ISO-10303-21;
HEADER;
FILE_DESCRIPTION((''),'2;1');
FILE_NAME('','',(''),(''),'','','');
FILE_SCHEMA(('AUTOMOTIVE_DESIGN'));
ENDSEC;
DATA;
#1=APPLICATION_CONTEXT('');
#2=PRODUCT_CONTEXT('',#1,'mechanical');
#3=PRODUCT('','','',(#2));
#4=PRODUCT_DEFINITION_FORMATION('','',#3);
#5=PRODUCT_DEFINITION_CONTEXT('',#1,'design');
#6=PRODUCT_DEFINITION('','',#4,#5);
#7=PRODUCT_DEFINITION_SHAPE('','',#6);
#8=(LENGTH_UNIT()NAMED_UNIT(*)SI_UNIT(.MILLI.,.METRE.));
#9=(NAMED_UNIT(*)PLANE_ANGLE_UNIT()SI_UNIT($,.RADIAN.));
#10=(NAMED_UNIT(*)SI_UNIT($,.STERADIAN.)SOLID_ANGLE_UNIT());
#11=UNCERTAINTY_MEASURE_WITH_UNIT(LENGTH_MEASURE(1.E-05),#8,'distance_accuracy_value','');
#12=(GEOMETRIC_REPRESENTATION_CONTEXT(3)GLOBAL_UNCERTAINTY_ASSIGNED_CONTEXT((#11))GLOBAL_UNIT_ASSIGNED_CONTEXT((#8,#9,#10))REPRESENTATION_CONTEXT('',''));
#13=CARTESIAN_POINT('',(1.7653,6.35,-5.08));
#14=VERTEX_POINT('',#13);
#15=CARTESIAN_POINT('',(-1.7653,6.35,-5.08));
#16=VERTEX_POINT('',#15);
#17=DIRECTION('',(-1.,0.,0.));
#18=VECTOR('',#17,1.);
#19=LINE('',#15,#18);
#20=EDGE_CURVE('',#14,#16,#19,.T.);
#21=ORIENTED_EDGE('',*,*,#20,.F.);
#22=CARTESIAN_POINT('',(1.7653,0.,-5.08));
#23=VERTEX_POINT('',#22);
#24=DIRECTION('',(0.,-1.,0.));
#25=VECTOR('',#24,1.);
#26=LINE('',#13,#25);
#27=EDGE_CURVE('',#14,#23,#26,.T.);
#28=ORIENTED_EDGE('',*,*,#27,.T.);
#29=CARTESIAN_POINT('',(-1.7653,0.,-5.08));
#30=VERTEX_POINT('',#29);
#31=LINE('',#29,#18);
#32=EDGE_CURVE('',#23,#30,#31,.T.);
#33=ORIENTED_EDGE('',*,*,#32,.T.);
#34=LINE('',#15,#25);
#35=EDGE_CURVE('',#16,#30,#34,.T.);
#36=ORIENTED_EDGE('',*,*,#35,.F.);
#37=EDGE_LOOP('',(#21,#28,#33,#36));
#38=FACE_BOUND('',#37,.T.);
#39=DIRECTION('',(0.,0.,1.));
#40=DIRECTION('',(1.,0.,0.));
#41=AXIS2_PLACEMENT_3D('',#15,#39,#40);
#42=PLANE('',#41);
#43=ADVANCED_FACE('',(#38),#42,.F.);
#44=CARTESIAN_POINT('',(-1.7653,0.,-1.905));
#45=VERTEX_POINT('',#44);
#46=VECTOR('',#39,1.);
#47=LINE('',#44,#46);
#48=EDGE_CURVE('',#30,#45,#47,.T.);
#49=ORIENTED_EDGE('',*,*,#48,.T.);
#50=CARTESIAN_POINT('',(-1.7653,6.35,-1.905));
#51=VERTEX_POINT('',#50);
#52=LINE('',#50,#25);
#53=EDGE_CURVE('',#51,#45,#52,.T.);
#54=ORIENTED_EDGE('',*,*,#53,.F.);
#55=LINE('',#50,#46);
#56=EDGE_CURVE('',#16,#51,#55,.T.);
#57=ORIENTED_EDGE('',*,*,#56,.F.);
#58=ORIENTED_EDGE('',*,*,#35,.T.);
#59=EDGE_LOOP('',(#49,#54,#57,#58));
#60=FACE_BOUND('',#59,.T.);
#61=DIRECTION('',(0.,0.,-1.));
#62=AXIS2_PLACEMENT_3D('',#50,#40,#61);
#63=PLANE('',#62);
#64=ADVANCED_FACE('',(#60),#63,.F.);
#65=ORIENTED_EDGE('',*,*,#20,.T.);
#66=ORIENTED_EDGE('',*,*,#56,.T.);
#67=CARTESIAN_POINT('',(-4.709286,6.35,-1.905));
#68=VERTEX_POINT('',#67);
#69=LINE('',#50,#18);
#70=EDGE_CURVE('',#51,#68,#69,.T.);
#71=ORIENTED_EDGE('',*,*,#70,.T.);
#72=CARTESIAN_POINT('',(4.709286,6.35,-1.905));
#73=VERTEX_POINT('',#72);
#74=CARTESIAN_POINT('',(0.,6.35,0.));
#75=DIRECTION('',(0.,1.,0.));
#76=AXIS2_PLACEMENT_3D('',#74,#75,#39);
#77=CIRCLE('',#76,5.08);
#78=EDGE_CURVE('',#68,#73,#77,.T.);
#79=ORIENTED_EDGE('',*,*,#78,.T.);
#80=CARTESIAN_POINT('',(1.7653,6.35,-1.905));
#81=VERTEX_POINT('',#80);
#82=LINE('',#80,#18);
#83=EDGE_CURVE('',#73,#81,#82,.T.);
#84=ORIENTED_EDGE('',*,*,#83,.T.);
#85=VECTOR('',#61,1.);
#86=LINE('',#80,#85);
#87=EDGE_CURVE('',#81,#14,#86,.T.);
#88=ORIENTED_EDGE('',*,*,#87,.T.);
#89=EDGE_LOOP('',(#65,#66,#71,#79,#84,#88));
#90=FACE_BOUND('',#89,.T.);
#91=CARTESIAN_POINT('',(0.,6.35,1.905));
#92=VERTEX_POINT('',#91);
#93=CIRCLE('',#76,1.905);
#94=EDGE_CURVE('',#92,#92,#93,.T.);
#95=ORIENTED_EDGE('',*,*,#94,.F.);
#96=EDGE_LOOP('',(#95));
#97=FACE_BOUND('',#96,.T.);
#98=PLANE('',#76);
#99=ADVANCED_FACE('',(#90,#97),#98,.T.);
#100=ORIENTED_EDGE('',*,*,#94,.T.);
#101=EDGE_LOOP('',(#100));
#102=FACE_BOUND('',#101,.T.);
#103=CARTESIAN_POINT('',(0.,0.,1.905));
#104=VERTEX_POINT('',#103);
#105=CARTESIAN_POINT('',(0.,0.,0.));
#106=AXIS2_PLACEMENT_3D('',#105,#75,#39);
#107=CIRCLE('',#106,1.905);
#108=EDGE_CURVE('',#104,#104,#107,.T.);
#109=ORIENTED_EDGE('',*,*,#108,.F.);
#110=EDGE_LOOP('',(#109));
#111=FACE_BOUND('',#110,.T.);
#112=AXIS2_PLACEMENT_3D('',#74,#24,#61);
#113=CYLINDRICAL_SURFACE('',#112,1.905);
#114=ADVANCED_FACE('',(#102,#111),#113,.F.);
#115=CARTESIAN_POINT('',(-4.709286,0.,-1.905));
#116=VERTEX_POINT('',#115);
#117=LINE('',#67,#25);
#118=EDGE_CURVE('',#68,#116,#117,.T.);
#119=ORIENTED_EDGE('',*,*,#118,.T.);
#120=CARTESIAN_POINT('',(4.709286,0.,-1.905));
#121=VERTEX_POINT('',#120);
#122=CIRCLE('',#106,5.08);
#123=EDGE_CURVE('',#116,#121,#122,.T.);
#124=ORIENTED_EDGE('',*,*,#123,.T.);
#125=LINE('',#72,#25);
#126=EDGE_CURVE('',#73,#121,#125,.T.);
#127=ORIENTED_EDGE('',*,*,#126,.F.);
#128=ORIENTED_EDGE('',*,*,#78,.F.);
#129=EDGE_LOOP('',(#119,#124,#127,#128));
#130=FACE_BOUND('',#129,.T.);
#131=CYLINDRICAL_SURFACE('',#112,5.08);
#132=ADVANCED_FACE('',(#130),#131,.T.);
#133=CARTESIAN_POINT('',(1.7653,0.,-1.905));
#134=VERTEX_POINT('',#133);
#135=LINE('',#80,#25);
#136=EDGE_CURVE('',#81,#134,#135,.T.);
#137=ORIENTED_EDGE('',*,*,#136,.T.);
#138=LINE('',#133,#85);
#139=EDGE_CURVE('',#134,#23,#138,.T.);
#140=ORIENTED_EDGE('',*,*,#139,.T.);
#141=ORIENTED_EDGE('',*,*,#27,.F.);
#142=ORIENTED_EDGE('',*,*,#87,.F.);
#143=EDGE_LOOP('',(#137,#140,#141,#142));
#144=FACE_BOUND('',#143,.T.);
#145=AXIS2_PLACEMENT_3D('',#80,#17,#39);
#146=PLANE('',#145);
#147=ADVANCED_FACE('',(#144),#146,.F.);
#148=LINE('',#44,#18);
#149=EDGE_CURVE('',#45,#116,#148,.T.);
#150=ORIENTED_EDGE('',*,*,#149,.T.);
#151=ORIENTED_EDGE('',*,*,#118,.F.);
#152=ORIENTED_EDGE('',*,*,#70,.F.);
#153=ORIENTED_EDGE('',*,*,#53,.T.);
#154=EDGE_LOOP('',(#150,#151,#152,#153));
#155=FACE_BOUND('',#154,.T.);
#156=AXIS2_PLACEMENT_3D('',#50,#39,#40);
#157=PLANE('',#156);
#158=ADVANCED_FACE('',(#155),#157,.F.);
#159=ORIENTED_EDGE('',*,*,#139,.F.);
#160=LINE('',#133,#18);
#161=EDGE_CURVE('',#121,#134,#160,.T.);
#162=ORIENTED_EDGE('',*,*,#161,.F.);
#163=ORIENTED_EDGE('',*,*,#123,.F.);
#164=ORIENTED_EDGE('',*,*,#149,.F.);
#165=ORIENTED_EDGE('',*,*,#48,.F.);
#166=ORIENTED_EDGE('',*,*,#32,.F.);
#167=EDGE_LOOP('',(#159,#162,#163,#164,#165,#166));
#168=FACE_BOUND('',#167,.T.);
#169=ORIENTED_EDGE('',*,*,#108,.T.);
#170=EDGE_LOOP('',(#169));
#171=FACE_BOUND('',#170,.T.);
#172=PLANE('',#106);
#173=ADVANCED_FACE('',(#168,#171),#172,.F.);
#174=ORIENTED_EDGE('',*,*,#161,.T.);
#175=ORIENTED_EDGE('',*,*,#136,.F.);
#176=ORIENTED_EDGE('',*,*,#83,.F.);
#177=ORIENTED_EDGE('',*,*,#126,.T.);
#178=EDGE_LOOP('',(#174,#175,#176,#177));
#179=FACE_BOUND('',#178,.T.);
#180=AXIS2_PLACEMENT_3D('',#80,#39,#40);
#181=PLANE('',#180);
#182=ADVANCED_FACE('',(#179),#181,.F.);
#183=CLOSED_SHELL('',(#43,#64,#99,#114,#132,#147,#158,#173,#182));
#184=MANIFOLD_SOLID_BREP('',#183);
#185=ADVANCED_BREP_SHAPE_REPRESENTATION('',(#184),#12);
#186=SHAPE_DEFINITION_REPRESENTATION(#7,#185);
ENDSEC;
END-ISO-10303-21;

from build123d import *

# Parameters (mm, degrees)
SKETCH1_R           = 1.905
BOSS_EXTRUDE1_DEPTH = 6.35


with BuildPart() as part:
    # Sketch1 → Boss-Extrude1 (new body)
    with BuildSketch(Plane(origin=(0, 0, 0), x_dir=(1, 0, 0), z_dir=(0, 1, 0))):
        with BuildLine():
            Line((-1.7653, 1.905), (-1.7653, 5.08))
            Line((-1.7653, 5.08), (1.7653, 5.08))
            Line((1.7653, 5.08), (1.7653, 1.905))
            Line((1.7653, 1.905), (4.709286039, 1.905))
            ThreePointArc((4.709286039, 1.905), (0, -5.08), (-4.709286039, 1.905))
            Line((-4.709286039, 1.905), (-1.7653, 1.905))
        make_face()
        Circle(SKETCH1_R, mode=Mode.SUBTRACT)
    extrude(amount=BOSS_EXTRUDE1_DEPTH)


solid = part.part
